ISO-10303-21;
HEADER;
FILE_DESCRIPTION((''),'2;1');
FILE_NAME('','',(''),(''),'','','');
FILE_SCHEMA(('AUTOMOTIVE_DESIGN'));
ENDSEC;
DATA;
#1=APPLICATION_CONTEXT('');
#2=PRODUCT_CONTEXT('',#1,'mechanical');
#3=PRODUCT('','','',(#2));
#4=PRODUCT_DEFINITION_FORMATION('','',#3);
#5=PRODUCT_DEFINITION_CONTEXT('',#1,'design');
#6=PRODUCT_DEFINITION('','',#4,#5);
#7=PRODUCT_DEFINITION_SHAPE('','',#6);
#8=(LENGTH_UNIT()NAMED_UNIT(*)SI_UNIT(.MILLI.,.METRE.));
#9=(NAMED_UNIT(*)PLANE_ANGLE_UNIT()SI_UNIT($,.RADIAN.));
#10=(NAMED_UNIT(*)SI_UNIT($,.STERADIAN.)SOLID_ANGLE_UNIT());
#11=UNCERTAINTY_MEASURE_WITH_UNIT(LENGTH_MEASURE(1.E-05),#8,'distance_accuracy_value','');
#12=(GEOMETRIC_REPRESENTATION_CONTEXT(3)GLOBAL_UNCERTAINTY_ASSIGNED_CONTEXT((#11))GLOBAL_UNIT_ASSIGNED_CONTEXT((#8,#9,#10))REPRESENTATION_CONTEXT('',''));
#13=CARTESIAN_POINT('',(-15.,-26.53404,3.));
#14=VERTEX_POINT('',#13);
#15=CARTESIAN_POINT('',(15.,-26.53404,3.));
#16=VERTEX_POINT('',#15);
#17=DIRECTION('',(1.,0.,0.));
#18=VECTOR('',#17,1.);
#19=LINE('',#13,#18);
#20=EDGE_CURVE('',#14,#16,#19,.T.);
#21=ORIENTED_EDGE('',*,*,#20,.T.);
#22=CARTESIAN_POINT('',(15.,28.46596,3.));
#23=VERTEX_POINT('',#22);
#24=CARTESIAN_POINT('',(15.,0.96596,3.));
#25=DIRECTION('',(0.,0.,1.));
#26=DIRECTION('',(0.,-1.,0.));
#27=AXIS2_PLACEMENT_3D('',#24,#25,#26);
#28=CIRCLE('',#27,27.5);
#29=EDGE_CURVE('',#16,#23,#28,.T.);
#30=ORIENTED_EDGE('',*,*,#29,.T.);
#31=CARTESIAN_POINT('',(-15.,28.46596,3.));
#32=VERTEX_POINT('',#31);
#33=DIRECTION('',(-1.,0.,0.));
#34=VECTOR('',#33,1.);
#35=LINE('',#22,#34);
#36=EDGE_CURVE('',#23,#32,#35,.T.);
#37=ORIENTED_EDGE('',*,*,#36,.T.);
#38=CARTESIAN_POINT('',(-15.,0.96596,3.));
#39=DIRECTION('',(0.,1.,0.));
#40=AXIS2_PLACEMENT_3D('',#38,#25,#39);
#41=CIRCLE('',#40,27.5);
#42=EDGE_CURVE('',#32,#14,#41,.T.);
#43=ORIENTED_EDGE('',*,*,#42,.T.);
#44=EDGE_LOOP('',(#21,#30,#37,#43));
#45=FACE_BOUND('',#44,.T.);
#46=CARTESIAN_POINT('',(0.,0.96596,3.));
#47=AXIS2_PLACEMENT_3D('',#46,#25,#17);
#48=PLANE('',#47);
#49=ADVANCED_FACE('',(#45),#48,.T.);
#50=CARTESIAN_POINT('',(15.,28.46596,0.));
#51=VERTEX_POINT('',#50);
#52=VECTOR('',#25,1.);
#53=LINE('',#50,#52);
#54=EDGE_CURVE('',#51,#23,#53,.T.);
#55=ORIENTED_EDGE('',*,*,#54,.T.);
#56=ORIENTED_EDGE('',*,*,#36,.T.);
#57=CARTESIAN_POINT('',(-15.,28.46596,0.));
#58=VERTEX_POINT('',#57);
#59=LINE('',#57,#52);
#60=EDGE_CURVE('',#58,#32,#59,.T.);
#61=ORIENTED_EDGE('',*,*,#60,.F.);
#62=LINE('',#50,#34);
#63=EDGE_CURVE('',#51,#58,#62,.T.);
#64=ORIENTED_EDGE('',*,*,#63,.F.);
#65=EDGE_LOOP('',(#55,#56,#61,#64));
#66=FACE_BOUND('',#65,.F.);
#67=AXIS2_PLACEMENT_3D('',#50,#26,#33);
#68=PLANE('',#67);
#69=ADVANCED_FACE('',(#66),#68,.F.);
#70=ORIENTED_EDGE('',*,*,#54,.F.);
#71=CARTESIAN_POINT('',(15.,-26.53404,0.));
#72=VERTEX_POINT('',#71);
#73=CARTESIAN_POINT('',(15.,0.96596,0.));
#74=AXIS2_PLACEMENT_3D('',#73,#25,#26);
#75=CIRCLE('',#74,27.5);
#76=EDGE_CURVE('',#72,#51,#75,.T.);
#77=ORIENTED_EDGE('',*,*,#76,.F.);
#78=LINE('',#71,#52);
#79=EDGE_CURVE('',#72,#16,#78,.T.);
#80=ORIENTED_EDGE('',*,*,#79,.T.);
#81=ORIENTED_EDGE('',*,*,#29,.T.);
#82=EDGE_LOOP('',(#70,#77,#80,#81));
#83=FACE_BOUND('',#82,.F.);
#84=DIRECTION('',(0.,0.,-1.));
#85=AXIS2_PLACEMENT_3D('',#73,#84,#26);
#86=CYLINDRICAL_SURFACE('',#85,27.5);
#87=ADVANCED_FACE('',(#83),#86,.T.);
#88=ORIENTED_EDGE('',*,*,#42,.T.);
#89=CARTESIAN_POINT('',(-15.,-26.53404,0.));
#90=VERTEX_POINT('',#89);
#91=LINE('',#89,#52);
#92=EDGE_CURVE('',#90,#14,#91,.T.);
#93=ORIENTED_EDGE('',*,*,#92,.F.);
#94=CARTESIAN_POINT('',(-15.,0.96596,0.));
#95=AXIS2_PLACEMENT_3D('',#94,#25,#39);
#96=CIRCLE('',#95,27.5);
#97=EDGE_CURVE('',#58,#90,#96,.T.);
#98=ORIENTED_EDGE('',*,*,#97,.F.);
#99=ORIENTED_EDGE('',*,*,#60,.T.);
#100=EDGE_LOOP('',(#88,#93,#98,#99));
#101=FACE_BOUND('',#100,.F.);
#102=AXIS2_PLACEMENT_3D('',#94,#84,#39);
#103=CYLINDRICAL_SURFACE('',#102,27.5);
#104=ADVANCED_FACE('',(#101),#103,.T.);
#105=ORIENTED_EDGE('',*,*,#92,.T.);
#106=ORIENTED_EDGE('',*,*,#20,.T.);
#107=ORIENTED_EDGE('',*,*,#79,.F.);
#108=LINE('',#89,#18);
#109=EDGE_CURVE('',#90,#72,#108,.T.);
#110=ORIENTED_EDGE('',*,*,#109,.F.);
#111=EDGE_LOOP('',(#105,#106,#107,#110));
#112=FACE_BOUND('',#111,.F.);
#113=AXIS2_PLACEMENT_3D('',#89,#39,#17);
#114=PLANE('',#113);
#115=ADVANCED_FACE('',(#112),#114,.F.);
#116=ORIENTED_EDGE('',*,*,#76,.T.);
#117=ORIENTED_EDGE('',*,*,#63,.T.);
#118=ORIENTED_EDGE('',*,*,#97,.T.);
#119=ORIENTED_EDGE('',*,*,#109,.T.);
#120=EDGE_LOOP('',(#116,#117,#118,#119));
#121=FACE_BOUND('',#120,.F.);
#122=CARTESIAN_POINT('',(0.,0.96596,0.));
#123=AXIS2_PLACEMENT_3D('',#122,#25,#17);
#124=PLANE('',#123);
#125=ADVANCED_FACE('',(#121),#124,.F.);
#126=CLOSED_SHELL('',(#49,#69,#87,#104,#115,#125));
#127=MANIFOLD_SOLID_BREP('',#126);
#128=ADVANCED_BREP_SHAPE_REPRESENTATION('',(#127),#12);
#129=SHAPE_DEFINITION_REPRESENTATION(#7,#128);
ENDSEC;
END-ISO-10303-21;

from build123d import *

# Parameters (mm, degrees)
F1_DEPTH = 3


with BuildPart() as f1:
    # F0 (on Top) → F1 (new body)
    with BuildSketch(Plane.XY):
        with BuildLine():
            Line((0, 28.46596), (-15, 28.46596))
            ThreePointArc((-15, 28.46596), (-42.5, 0.96596), (-15, -26.53404))
            Line((-15, -26.53404), (0, -26.53404))
            Line((0, -26.53404), (15, -26.53404))
            ThreePointArc((15, -26.53404), (42.5, 0.96596), (15, 28.46596))
            Line((15, 28.46596), (0, 28.46596))
        make_face()
    extrude(amount=F1_DEPTH)


solid = f1.part
